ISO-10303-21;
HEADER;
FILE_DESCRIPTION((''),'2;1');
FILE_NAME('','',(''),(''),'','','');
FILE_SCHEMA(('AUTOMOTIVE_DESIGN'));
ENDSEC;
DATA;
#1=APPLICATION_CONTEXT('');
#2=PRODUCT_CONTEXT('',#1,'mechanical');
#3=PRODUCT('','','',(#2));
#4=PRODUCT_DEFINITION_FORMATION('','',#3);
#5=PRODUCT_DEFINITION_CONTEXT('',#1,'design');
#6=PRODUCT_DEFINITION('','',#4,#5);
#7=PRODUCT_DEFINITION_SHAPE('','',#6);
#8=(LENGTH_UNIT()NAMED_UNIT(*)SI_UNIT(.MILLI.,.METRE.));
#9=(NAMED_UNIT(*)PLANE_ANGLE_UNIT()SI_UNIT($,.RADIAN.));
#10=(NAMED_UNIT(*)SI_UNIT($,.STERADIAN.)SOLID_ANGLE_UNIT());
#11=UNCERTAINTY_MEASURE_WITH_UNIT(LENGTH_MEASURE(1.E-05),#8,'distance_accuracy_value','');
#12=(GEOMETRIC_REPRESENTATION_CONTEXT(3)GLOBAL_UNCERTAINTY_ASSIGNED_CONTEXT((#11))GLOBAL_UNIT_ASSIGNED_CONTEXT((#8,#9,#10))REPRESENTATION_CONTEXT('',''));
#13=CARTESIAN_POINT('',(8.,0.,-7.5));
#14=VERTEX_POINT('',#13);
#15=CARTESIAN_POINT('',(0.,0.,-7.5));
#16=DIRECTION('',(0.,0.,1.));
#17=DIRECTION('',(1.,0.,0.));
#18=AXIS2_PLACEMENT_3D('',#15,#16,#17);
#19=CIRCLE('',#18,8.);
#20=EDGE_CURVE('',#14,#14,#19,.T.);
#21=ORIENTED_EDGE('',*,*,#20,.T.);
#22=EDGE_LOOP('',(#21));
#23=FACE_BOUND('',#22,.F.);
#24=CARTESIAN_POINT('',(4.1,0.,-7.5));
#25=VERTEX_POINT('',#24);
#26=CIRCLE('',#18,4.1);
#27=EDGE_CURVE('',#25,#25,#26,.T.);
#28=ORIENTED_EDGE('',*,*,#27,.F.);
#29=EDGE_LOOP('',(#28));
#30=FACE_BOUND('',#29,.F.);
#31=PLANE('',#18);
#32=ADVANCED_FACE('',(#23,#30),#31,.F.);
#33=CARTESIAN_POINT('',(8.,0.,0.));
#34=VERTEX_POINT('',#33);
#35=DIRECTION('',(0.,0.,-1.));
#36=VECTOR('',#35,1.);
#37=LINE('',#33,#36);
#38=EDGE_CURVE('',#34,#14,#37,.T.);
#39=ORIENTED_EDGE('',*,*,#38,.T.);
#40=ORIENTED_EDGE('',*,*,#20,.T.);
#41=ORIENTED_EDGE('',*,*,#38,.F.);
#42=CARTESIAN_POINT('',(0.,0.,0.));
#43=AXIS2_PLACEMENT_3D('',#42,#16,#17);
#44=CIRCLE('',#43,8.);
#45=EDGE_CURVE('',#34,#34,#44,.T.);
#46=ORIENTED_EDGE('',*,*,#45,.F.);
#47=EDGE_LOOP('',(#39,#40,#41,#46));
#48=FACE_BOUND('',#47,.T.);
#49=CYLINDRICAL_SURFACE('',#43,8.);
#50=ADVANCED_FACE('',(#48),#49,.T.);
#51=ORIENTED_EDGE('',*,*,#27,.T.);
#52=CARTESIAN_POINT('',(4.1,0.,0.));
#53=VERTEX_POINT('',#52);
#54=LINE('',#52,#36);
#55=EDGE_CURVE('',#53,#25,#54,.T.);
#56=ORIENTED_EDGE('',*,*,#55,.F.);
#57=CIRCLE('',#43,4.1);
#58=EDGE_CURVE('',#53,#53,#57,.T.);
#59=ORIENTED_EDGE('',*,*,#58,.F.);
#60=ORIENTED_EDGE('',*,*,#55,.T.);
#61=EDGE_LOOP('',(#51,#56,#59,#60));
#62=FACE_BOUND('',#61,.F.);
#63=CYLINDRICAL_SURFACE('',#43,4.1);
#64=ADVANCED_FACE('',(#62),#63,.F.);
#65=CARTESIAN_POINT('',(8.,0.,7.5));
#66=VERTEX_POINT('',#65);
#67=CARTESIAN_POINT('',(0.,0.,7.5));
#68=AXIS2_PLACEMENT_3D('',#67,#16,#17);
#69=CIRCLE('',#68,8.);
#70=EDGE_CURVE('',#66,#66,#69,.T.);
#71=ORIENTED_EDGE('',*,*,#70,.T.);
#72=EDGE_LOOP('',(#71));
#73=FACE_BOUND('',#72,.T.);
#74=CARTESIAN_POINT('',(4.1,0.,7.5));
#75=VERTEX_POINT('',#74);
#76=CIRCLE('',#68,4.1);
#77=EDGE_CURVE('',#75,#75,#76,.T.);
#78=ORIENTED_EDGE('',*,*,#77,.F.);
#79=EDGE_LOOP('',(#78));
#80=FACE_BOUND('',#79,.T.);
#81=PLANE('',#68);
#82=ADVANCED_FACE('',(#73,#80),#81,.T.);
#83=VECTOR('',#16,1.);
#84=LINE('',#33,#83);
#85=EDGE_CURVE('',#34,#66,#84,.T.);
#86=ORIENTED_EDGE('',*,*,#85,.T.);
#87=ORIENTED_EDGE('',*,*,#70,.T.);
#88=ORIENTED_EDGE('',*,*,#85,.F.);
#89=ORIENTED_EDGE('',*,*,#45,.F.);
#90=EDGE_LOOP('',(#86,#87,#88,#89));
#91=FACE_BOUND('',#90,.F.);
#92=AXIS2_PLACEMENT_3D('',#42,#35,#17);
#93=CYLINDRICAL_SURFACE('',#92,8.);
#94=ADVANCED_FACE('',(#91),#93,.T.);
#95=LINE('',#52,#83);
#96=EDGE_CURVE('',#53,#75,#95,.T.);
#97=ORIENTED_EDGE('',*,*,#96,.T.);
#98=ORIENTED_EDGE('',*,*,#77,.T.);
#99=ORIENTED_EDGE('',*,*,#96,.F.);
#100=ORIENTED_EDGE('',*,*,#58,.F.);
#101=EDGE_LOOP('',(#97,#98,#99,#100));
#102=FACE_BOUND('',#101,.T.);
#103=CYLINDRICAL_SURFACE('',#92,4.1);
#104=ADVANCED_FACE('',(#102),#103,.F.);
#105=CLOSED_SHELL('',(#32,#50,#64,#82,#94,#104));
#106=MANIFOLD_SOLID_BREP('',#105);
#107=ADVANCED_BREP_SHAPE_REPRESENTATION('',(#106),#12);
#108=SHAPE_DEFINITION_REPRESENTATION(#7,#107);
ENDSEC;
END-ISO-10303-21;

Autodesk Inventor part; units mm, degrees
ref_plane "YZ Plane" through (0, 0, 0) normal (1, 0, 0) x (0, 1, 0)
ref_plane "XZ Plane" through (0, 0, 0) normal (0, 1, 0) x (-1, 0, 0)
ref_plane "XY Plane" through (0, 0, 0) normal (0, 0, 1) x (1, 0, 0)
sketch "Sketch1" plane through (0, 0, 0) normal (0, 0, 1) x (1, 0, 0)
  circle A0 centre (0, 0) radius 8
  circle A1 centre (0, 0) radius 4.1
  dimension "d0" = 16
  dimension "d1" = 8.2
extrude "Extrusion1" add sketch "Sketch1" along normal mid plane 15
properties part number "shaft plane bushes" material "Brass, Soft Yellow"
